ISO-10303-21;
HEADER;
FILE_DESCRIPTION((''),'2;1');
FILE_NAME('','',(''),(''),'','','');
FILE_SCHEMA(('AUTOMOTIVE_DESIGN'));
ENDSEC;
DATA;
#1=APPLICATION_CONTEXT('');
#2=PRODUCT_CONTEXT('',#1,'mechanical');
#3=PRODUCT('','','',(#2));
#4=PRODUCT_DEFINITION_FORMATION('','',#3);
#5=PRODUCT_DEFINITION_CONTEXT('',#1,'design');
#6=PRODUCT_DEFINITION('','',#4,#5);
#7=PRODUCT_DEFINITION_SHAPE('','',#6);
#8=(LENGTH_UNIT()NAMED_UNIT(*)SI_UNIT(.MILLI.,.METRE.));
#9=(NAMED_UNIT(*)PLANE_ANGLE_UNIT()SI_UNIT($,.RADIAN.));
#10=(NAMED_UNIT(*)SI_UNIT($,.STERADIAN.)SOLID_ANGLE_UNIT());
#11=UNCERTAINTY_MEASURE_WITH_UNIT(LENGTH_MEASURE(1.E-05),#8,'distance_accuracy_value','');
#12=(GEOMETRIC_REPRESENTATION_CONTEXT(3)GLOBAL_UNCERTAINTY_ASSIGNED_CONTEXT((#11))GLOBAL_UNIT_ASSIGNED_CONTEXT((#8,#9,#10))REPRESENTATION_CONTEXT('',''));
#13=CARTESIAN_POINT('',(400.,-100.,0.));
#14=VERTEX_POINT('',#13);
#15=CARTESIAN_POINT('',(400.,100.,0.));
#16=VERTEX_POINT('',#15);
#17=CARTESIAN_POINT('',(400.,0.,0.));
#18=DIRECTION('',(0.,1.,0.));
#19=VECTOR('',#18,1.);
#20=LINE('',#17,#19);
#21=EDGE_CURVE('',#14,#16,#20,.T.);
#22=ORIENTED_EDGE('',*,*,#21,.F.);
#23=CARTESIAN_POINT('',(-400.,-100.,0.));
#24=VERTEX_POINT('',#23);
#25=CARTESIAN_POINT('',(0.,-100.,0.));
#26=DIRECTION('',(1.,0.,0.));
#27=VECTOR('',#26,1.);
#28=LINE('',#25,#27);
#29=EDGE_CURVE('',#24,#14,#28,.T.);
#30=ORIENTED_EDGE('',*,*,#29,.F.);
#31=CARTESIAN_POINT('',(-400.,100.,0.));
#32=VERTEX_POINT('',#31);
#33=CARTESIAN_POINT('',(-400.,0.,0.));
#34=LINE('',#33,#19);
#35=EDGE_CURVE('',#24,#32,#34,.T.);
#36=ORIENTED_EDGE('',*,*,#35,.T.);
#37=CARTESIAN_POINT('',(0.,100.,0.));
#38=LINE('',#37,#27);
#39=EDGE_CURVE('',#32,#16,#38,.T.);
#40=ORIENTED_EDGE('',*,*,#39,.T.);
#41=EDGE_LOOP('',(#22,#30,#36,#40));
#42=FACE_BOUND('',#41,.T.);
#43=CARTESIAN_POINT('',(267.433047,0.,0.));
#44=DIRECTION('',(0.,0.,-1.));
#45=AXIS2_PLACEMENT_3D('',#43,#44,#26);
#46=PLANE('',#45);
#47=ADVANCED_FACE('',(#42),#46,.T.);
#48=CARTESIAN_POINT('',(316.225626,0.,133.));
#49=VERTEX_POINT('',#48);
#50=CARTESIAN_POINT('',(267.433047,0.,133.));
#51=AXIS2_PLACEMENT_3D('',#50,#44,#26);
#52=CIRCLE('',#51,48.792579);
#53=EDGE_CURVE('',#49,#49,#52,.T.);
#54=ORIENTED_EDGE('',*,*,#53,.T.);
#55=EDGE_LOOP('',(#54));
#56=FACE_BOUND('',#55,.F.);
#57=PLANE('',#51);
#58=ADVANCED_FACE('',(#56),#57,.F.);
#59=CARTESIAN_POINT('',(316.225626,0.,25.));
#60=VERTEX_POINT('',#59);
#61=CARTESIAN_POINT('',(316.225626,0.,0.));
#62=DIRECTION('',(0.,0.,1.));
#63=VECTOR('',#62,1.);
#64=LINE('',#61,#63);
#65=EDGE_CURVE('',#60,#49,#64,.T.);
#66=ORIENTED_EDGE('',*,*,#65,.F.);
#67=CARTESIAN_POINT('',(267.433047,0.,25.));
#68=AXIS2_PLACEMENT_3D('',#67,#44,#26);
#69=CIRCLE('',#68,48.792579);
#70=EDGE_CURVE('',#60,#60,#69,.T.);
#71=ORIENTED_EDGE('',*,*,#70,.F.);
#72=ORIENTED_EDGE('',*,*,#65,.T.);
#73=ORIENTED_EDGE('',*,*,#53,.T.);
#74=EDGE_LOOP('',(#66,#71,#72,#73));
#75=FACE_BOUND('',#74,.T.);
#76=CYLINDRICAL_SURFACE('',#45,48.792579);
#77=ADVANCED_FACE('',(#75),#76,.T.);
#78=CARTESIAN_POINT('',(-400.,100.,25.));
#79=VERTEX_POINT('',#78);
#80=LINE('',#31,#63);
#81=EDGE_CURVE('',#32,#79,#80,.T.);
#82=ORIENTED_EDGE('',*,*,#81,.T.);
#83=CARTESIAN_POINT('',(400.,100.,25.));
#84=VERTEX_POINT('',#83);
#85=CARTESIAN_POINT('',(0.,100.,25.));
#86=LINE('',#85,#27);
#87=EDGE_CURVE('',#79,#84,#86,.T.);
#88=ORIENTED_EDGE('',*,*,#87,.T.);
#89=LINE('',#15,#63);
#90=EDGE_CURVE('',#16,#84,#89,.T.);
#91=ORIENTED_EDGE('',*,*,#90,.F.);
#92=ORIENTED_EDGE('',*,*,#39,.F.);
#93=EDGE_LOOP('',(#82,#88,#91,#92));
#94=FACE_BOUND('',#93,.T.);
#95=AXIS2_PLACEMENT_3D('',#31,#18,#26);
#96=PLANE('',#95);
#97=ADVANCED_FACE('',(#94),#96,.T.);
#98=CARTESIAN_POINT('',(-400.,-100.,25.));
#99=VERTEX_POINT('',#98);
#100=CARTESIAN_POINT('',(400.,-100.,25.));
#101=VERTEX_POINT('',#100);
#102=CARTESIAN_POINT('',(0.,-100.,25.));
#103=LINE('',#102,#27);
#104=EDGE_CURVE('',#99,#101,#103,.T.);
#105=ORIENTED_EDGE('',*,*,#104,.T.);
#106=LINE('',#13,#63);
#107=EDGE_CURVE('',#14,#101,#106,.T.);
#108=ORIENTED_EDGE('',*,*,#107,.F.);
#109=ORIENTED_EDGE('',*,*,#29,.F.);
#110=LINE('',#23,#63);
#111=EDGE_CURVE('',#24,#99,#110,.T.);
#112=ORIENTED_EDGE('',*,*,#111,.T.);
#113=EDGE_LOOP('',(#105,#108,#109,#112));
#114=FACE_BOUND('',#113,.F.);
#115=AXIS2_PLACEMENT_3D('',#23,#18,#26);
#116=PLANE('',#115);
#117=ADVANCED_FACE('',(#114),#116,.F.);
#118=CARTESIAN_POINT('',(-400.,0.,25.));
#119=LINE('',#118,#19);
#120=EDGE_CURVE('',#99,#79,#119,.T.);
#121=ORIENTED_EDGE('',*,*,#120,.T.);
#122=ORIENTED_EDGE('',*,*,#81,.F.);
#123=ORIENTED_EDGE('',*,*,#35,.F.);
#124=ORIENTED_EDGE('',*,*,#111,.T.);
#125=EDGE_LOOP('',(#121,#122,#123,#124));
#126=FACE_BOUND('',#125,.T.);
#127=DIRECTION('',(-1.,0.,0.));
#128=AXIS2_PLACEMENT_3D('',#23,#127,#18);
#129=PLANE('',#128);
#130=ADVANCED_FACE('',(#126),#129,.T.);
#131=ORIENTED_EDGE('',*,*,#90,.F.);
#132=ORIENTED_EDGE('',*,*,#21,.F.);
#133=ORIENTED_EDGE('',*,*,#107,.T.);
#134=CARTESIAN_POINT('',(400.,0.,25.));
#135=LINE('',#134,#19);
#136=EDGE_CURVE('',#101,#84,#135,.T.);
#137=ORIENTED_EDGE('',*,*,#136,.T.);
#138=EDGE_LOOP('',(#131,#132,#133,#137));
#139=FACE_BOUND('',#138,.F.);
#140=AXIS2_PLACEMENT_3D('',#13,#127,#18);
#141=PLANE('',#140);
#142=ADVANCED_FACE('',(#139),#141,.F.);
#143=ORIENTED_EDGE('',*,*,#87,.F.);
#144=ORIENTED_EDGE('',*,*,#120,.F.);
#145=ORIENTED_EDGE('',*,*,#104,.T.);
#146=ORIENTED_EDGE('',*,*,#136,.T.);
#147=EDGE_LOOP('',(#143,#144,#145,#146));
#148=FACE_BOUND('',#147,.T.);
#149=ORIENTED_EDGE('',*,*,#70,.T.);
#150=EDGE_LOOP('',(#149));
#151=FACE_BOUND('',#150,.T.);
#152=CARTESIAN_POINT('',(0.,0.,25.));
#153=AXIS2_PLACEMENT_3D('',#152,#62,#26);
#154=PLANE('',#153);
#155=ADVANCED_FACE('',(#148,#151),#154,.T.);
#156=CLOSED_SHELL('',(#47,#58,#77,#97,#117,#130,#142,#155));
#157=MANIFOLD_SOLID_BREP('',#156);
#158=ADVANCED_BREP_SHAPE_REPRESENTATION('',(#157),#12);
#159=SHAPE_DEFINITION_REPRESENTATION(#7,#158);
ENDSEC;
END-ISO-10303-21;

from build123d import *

# Parameters (mm, degrees)
F0_W     = 800
F0_H     = 200
F1_DEPTH = 25
F2_R     = 48.792579
F3_DEPTH = 133


with BuildPart() as f1:
    # F0 (on Top) → F1 (new body)
    with BuildSketch(Plane.XY):
        Rectangle(F0_W, F0_H)
    extrude(amount=F1_DEPTH)

    # F2 (on face) → F3 (join)
    with BuildSketch(Plane(origin=(0, 0, 0), x_dir=(1, 0, 0), z_dir=(0, 0, -1))):
        with Locations((267.433047, 0)):
            Circle(F2_R)
    extrude(amount=-F3_DEPTH)


solid = f1.part
